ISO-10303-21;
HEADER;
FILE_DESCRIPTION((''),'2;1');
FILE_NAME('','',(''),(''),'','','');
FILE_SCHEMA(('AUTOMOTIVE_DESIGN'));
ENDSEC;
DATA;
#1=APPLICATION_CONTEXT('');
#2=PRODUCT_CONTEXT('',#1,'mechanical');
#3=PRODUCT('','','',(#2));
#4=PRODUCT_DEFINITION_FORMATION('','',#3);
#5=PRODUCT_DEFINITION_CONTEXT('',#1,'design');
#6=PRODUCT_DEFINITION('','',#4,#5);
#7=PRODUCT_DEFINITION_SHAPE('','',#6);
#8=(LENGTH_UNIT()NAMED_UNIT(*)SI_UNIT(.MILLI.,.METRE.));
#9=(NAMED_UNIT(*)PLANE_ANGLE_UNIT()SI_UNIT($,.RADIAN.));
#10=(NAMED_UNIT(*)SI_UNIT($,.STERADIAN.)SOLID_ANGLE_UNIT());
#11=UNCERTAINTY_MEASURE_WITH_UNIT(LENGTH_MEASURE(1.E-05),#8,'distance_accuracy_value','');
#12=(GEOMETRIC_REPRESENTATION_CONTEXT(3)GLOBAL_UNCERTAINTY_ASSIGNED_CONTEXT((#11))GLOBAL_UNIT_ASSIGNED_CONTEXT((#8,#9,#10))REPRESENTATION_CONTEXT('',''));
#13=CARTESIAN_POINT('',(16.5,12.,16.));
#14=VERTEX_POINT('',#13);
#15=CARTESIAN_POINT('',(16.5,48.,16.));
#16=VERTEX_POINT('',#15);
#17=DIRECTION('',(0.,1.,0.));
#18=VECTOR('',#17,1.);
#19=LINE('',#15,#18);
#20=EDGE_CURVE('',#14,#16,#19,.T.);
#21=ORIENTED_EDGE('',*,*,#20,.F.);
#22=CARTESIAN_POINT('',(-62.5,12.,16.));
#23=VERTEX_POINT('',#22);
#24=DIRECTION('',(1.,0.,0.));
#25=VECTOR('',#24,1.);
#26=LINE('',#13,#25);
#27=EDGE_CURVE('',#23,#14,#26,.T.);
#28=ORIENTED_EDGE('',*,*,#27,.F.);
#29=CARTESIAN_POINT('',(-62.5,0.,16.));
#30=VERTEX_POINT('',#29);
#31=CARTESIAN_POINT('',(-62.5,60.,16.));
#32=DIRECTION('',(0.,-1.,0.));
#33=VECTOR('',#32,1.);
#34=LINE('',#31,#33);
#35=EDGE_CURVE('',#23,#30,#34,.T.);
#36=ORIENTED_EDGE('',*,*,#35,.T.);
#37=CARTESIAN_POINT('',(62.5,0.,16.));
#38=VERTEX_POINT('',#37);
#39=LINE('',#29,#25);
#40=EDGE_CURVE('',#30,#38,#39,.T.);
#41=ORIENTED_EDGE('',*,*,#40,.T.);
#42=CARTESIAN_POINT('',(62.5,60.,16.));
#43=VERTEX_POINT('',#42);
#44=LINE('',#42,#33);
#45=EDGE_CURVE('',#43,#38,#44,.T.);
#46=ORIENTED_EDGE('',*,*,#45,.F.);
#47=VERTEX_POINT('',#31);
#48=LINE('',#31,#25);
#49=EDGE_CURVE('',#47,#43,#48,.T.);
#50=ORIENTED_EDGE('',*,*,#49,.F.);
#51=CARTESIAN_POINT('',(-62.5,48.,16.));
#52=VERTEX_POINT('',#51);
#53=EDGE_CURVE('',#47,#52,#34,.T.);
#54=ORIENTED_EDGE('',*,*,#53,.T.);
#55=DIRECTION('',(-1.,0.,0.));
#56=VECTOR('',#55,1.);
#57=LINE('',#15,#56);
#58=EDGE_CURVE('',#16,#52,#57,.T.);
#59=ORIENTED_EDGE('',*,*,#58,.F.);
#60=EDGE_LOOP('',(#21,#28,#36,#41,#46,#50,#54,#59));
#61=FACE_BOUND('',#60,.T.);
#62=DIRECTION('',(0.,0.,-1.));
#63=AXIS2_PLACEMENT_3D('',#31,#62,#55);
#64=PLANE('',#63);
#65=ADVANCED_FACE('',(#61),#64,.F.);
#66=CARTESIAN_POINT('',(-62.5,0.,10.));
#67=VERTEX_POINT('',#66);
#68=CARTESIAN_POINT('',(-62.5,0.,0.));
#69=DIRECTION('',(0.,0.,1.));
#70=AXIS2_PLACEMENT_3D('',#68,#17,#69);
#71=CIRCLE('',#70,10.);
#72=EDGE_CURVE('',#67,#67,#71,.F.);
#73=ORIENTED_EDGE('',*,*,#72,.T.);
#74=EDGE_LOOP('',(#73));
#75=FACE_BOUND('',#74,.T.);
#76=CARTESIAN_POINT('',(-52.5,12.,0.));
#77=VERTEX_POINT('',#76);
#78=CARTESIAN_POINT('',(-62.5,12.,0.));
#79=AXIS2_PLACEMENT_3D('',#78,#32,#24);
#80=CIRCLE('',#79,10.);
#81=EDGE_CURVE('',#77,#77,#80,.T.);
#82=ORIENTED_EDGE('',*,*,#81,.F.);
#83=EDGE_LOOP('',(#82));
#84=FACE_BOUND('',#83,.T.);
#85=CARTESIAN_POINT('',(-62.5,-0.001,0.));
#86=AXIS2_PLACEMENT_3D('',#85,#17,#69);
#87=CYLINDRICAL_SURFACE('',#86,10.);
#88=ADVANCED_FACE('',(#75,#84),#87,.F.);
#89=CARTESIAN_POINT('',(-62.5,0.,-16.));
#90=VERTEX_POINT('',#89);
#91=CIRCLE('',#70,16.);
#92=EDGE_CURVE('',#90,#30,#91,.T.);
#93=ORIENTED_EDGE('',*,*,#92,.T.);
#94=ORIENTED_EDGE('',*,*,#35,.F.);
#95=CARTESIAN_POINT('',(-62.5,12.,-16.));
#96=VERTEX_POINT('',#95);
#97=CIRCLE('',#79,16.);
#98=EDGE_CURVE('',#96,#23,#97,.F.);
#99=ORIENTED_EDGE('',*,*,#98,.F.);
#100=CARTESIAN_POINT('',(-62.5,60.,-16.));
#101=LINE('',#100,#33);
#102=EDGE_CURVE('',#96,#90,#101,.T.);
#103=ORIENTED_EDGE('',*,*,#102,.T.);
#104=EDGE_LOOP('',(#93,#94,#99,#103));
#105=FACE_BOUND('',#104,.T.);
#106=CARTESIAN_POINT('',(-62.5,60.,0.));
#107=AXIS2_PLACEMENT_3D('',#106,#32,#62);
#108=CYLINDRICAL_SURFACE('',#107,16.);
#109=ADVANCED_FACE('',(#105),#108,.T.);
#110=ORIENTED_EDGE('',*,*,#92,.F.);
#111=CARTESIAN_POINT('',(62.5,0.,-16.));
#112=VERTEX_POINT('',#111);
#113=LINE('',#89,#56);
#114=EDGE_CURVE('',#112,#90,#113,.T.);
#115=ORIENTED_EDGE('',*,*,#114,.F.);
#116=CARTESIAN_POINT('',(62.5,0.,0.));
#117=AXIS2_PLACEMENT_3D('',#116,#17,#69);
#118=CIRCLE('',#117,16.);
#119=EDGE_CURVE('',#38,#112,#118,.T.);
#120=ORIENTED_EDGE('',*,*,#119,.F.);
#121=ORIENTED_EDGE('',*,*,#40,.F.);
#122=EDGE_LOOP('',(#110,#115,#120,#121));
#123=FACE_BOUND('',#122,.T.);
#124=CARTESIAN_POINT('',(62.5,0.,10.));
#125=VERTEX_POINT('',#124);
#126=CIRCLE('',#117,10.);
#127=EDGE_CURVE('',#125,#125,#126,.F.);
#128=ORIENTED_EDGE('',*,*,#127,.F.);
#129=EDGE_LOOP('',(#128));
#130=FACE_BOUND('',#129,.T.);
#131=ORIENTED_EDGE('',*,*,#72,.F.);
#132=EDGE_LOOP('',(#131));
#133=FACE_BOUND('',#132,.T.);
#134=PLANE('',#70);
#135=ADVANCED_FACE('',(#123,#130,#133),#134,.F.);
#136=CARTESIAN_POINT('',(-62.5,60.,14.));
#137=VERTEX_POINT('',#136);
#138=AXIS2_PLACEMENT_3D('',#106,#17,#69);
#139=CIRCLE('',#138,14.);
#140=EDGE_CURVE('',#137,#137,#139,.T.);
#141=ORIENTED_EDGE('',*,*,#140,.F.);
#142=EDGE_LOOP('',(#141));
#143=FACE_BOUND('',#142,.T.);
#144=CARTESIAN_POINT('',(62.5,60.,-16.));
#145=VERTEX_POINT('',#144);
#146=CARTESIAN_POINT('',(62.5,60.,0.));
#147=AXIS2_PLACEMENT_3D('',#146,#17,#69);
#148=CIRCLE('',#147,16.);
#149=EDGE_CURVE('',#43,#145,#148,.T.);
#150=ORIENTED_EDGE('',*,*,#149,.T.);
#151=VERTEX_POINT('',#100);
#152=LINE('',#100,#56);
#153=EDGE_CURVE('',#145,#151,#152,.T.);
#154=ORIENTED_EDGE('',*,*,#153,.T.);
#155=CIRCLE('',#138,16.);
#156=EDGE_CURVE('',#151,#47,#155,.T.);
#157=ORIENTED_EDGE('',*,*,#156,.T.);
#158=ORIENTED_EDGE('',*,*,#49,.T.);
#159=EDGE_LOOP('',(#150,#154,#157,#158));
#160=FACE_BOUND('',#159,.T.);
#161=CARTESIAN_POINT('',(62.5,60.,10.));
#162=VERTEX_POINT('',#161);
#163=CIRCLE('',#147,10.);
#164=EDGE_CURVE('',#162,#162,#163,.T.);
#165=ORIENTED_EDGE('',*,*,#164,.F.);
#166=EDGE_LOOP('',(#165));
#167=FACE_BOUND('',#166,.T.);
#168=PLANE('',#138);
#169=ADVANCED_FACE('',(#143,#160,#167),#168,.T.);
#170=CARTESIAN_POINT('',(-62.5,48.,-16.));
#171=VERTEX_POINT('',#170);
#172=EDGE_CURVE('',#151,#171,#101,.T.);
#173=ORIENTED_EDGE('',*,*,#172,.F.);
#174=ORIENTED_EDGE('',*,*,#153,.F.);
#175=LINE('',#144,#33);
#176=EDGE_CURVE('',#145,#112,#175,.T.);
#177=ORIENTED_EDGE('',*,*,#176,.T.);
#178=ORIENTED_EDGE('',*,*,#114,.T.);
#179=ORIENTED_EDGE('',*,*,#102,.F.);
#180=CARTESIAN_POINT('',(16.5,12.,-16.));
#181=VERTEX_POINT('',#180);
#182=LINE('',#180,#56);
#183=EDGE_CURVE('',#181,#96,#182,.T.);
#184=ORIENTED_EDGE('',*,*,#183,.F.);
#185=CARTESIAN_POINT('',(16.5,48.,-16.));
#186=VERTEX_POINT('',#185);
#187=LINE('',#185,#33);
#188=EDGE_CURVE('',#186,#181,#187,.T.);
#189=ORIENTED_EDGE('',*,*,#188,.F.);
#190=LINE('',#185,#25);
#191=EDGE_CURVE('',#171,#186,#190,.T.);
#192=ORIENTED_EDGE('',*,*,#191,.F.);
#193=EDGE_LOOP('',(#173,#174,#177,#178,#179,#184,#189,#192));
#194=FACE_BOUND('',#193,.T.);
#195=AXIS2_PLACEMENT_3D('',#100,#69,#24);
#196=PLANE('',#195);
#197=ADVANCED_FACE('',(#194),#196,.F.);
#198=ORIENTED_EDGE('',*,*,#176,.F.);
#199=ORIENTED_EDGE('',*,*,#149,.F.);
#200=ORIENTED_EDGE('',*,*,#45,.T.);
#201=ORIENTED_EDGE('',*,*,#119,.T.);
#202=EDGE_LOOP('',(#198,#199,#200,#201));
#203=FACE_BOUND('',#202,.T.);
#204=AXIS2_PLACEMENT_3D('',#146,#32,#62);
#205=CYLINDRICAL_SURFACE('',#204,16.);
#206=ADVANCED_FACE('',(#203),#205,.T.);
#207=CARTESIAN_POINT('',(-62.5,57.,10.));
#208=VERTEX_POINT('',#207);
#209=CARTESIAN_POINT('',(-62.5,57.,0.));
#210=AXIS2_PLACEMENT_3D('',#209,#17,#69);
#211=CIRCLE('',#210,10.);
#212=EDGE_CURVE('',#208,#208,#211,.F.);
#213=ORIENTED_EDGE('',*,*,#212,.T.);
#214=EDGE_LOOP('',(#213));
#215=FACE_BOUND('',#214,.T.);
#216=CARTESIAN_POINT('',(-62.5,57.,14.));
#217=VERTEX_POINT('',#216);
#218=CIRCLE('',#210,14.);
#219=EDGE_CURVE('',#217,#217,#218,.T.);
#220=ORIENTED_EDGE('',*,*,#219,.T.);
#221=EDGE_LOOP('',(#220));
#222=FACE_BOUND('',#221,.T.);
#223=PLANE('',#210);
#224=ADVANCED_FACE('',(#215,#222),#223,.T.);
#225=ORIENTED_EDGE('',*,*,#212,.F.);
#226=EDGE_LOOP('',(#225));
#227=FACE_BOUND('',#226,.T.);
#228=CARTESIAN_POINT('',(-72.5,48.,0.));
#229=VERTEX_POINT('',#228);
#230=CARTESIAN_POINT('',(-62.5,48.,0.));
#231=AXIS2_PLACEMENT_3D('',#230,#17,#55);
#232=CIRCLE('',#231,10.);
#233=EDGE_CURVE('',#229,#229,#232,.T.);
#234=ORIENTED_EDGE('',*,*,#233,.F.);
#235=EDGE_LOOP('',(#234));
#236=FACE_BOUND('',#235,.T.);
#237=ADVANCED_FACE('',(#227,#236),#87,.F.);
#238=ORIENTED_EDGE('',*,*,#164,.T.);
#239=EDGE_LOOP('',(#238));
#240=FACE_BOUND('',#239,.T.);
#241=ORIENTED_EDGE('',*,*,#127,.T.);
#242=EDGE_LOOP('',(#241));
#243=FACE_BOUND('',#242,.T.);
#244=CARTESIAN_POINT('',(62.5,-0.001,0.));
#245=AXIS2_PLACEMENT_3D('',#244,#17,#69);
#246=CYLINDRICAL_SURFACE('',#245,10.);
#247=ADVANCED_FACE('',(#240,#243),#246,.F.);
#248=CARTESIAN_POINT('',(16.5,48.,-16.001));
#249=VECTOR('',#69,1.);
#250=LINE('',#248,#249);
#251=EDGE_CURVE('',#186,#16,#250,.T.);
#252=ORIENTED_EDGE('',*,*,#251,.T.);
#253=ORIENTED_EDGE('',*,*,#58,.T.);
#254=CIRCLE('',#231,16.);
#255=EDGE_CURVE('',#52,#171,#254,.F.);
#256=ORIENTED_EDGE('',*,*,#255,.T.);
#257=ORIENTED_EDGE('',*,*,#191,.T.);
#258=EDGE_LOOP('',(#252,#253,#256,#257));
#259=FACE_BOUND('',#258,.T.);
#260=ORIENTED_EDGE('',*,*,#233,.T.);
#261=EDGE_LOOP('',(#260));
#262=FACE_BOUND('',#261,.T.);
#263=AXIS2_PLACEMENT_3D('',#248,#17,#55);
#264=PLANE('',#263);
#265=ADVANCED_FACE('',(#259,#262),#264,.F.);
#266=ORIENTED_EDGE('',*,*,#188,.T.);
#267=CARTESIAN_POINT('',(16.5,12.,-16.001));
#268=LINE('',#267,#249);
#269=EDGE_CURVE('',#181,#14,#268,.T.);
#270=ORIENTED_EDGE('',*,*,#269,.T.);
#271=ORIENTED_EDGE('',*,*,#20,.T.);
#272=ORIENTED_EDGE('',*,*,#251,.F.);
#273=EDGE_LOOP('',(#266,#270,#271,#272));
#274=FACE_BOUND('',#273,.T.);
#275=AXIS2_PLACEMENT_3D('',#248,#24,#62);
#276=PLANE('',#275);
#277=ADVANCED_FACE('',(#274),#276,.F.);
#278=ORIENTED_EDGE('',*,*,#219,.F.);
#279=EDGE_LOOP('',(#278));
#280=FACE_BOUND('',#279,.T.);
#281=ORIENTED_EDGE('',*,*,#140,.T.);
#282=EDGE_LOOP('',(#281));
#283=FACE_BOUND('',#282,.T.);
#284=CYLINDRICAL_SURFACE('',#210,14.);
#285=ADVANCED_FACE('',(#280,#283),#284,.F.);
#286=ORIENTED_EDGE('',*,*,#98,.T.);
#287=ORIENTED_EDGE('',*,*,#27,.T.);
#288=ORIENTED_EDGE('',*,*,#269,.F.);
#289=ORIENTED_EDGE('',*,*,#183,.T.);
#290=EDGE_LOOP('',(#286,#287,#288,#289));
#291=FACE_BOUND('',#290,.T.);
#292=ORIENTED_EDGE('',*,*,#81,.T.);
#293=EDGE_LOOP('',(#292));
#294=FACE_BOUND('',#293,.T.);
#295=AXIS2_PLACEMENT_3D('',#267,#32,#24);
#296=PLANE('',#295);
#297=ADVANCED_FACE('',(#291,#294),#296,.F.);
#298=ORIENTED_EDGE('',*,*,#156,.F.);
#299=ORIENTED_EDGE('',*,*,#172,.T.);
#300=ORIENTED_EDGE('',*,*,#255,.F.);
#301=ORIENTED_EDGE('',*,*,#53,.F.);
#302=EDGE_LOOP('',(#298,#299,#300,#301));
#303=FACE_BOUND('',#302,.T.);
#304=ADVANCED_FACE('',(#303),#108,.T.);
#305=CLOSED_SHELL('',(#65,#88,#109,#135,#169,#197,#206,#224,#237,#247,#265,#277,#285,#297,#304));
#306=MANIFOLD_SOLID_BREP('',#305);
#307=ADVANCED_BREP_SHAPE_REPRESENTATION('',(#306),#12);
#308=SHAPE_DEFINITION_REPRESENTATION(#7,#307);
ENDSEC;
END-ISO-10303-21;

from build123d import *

# Parameters (mm, degrees)
EXTRUDE_1_DEPTH     = 60
CUT_EXTRUDE_1_REACH = 102.091
SKETCH_2_R          = 10
CUT_EXTRUDE_2_REACH = 102.091
SKETCH_3_R          = 10
SKETCH_4_R          = 14
CUT_EXTRUDE_3_DEPTH = 3
CUT_EXTRUDE_4_REACH = 105.857
SKETCH_6_W          = 115
SKETCH_6_H          = 36


with BuildPart() as part:
    # 草图1 → 凸台-拉伸1 (new body)
    with BuildSketch(Plane(origin=(0, 0, 0), x_dir=(1, 0, 0), z_dir=(0, 1, 0))):
        with BuildLine():
            Line((-62.5, 16), (62.5, 16))
            ThreePointArc((62.5, 16), (78.5, 0), (62.5, -16))
            Line((62.5, -16), (-62.5, -16))
            ThreePointArc((-62.5, -16), (-78.5, 0), (-62.5, 16))
        make_face()
    extrude(amount=EXTRUDE_1_DEPTH)

    # 草图2 → 切除-拉伸1 (cut, up to next)
    with BuildSketch(Plane(origin=(0, 60, 0), x_dir=(1, 0, 0), z_dir=(0, 1, 0)), mode=Mode.PRIVATE) as cut_extrude_1_sk1:
        with Locations((62.5, 0)):
            Circle(SKETCH_2_R)
    cut_extrude_1_tool1 = extrude(cut_extrude_1_sk1.sketch, amount=-CUT_EXTRUDE_1_REACH, mode=Mode.PRIVATE) & part.part
    add(cut_extrude_1_tool1.solids().sort_by_distance((62.5, 60, 0))[0], mode=Mode.SUBTRACT)

    # 草图3 → 切除-拉伸2 (cut, up to next)
    with BuildSketch(Plane(origin=(0, 60, 0), x_dir=(1, 0, 0), z_dir=(0, 1, 0)), mode=Mode.PRIVATE) as cut_extrude_2_sk1:
        with Locations((-62.5, 0)):
            Circle(SKETCH_3_R)
    cut_extrude_2_tool1 = extrude(cut_extrude_2_sk1.sketch, amount=-CUT_EXTRUDE_2_REACH, mode=Mode.PRIVATE) & part.part
    add(cut_extrude_2_tool1.solids().sort_by_distance((-62.5, 60, 0))[0], mode=Mode.SUBTRACT)

    # 草图4 → 切除-拉伸3 (cut)
    with BuildSketch(Plane(origin=(0, 60, 0), x_dir=(1, 0, 0), z_dir=(0, 1, 0))):
        with Locations((-62.5, 0)):
            Circle(SKETCH_4_R)
    extrude(amount=-CUT_EXTRUDE_3_DEPTH, mode=Mode.SUBTRACT)

    # 草图6 → 切除-拉伸4 (cut, up to next)
    with BuildSketch(Plane.XY.offset(16), mode=Mode.PRIVATE) as cut_extrude_4_sk1:
        with Locations((-41, 30)):
            Rectangle(SKETCH_6_W, SKETCH_6_H)
    cut_extrude_4_tool1 = extrude(cut_extrude_4_sk1.sketch, amount=-CUT_EXTRUDE_4_REACH, mode=Mode.PRIVATE) & part.part
    add(cut_extrude_4_tool1.solids().sort_by_distance((-41, 30, 16))[0], mode=Mode.SUBTRACT)


solid = part.part
